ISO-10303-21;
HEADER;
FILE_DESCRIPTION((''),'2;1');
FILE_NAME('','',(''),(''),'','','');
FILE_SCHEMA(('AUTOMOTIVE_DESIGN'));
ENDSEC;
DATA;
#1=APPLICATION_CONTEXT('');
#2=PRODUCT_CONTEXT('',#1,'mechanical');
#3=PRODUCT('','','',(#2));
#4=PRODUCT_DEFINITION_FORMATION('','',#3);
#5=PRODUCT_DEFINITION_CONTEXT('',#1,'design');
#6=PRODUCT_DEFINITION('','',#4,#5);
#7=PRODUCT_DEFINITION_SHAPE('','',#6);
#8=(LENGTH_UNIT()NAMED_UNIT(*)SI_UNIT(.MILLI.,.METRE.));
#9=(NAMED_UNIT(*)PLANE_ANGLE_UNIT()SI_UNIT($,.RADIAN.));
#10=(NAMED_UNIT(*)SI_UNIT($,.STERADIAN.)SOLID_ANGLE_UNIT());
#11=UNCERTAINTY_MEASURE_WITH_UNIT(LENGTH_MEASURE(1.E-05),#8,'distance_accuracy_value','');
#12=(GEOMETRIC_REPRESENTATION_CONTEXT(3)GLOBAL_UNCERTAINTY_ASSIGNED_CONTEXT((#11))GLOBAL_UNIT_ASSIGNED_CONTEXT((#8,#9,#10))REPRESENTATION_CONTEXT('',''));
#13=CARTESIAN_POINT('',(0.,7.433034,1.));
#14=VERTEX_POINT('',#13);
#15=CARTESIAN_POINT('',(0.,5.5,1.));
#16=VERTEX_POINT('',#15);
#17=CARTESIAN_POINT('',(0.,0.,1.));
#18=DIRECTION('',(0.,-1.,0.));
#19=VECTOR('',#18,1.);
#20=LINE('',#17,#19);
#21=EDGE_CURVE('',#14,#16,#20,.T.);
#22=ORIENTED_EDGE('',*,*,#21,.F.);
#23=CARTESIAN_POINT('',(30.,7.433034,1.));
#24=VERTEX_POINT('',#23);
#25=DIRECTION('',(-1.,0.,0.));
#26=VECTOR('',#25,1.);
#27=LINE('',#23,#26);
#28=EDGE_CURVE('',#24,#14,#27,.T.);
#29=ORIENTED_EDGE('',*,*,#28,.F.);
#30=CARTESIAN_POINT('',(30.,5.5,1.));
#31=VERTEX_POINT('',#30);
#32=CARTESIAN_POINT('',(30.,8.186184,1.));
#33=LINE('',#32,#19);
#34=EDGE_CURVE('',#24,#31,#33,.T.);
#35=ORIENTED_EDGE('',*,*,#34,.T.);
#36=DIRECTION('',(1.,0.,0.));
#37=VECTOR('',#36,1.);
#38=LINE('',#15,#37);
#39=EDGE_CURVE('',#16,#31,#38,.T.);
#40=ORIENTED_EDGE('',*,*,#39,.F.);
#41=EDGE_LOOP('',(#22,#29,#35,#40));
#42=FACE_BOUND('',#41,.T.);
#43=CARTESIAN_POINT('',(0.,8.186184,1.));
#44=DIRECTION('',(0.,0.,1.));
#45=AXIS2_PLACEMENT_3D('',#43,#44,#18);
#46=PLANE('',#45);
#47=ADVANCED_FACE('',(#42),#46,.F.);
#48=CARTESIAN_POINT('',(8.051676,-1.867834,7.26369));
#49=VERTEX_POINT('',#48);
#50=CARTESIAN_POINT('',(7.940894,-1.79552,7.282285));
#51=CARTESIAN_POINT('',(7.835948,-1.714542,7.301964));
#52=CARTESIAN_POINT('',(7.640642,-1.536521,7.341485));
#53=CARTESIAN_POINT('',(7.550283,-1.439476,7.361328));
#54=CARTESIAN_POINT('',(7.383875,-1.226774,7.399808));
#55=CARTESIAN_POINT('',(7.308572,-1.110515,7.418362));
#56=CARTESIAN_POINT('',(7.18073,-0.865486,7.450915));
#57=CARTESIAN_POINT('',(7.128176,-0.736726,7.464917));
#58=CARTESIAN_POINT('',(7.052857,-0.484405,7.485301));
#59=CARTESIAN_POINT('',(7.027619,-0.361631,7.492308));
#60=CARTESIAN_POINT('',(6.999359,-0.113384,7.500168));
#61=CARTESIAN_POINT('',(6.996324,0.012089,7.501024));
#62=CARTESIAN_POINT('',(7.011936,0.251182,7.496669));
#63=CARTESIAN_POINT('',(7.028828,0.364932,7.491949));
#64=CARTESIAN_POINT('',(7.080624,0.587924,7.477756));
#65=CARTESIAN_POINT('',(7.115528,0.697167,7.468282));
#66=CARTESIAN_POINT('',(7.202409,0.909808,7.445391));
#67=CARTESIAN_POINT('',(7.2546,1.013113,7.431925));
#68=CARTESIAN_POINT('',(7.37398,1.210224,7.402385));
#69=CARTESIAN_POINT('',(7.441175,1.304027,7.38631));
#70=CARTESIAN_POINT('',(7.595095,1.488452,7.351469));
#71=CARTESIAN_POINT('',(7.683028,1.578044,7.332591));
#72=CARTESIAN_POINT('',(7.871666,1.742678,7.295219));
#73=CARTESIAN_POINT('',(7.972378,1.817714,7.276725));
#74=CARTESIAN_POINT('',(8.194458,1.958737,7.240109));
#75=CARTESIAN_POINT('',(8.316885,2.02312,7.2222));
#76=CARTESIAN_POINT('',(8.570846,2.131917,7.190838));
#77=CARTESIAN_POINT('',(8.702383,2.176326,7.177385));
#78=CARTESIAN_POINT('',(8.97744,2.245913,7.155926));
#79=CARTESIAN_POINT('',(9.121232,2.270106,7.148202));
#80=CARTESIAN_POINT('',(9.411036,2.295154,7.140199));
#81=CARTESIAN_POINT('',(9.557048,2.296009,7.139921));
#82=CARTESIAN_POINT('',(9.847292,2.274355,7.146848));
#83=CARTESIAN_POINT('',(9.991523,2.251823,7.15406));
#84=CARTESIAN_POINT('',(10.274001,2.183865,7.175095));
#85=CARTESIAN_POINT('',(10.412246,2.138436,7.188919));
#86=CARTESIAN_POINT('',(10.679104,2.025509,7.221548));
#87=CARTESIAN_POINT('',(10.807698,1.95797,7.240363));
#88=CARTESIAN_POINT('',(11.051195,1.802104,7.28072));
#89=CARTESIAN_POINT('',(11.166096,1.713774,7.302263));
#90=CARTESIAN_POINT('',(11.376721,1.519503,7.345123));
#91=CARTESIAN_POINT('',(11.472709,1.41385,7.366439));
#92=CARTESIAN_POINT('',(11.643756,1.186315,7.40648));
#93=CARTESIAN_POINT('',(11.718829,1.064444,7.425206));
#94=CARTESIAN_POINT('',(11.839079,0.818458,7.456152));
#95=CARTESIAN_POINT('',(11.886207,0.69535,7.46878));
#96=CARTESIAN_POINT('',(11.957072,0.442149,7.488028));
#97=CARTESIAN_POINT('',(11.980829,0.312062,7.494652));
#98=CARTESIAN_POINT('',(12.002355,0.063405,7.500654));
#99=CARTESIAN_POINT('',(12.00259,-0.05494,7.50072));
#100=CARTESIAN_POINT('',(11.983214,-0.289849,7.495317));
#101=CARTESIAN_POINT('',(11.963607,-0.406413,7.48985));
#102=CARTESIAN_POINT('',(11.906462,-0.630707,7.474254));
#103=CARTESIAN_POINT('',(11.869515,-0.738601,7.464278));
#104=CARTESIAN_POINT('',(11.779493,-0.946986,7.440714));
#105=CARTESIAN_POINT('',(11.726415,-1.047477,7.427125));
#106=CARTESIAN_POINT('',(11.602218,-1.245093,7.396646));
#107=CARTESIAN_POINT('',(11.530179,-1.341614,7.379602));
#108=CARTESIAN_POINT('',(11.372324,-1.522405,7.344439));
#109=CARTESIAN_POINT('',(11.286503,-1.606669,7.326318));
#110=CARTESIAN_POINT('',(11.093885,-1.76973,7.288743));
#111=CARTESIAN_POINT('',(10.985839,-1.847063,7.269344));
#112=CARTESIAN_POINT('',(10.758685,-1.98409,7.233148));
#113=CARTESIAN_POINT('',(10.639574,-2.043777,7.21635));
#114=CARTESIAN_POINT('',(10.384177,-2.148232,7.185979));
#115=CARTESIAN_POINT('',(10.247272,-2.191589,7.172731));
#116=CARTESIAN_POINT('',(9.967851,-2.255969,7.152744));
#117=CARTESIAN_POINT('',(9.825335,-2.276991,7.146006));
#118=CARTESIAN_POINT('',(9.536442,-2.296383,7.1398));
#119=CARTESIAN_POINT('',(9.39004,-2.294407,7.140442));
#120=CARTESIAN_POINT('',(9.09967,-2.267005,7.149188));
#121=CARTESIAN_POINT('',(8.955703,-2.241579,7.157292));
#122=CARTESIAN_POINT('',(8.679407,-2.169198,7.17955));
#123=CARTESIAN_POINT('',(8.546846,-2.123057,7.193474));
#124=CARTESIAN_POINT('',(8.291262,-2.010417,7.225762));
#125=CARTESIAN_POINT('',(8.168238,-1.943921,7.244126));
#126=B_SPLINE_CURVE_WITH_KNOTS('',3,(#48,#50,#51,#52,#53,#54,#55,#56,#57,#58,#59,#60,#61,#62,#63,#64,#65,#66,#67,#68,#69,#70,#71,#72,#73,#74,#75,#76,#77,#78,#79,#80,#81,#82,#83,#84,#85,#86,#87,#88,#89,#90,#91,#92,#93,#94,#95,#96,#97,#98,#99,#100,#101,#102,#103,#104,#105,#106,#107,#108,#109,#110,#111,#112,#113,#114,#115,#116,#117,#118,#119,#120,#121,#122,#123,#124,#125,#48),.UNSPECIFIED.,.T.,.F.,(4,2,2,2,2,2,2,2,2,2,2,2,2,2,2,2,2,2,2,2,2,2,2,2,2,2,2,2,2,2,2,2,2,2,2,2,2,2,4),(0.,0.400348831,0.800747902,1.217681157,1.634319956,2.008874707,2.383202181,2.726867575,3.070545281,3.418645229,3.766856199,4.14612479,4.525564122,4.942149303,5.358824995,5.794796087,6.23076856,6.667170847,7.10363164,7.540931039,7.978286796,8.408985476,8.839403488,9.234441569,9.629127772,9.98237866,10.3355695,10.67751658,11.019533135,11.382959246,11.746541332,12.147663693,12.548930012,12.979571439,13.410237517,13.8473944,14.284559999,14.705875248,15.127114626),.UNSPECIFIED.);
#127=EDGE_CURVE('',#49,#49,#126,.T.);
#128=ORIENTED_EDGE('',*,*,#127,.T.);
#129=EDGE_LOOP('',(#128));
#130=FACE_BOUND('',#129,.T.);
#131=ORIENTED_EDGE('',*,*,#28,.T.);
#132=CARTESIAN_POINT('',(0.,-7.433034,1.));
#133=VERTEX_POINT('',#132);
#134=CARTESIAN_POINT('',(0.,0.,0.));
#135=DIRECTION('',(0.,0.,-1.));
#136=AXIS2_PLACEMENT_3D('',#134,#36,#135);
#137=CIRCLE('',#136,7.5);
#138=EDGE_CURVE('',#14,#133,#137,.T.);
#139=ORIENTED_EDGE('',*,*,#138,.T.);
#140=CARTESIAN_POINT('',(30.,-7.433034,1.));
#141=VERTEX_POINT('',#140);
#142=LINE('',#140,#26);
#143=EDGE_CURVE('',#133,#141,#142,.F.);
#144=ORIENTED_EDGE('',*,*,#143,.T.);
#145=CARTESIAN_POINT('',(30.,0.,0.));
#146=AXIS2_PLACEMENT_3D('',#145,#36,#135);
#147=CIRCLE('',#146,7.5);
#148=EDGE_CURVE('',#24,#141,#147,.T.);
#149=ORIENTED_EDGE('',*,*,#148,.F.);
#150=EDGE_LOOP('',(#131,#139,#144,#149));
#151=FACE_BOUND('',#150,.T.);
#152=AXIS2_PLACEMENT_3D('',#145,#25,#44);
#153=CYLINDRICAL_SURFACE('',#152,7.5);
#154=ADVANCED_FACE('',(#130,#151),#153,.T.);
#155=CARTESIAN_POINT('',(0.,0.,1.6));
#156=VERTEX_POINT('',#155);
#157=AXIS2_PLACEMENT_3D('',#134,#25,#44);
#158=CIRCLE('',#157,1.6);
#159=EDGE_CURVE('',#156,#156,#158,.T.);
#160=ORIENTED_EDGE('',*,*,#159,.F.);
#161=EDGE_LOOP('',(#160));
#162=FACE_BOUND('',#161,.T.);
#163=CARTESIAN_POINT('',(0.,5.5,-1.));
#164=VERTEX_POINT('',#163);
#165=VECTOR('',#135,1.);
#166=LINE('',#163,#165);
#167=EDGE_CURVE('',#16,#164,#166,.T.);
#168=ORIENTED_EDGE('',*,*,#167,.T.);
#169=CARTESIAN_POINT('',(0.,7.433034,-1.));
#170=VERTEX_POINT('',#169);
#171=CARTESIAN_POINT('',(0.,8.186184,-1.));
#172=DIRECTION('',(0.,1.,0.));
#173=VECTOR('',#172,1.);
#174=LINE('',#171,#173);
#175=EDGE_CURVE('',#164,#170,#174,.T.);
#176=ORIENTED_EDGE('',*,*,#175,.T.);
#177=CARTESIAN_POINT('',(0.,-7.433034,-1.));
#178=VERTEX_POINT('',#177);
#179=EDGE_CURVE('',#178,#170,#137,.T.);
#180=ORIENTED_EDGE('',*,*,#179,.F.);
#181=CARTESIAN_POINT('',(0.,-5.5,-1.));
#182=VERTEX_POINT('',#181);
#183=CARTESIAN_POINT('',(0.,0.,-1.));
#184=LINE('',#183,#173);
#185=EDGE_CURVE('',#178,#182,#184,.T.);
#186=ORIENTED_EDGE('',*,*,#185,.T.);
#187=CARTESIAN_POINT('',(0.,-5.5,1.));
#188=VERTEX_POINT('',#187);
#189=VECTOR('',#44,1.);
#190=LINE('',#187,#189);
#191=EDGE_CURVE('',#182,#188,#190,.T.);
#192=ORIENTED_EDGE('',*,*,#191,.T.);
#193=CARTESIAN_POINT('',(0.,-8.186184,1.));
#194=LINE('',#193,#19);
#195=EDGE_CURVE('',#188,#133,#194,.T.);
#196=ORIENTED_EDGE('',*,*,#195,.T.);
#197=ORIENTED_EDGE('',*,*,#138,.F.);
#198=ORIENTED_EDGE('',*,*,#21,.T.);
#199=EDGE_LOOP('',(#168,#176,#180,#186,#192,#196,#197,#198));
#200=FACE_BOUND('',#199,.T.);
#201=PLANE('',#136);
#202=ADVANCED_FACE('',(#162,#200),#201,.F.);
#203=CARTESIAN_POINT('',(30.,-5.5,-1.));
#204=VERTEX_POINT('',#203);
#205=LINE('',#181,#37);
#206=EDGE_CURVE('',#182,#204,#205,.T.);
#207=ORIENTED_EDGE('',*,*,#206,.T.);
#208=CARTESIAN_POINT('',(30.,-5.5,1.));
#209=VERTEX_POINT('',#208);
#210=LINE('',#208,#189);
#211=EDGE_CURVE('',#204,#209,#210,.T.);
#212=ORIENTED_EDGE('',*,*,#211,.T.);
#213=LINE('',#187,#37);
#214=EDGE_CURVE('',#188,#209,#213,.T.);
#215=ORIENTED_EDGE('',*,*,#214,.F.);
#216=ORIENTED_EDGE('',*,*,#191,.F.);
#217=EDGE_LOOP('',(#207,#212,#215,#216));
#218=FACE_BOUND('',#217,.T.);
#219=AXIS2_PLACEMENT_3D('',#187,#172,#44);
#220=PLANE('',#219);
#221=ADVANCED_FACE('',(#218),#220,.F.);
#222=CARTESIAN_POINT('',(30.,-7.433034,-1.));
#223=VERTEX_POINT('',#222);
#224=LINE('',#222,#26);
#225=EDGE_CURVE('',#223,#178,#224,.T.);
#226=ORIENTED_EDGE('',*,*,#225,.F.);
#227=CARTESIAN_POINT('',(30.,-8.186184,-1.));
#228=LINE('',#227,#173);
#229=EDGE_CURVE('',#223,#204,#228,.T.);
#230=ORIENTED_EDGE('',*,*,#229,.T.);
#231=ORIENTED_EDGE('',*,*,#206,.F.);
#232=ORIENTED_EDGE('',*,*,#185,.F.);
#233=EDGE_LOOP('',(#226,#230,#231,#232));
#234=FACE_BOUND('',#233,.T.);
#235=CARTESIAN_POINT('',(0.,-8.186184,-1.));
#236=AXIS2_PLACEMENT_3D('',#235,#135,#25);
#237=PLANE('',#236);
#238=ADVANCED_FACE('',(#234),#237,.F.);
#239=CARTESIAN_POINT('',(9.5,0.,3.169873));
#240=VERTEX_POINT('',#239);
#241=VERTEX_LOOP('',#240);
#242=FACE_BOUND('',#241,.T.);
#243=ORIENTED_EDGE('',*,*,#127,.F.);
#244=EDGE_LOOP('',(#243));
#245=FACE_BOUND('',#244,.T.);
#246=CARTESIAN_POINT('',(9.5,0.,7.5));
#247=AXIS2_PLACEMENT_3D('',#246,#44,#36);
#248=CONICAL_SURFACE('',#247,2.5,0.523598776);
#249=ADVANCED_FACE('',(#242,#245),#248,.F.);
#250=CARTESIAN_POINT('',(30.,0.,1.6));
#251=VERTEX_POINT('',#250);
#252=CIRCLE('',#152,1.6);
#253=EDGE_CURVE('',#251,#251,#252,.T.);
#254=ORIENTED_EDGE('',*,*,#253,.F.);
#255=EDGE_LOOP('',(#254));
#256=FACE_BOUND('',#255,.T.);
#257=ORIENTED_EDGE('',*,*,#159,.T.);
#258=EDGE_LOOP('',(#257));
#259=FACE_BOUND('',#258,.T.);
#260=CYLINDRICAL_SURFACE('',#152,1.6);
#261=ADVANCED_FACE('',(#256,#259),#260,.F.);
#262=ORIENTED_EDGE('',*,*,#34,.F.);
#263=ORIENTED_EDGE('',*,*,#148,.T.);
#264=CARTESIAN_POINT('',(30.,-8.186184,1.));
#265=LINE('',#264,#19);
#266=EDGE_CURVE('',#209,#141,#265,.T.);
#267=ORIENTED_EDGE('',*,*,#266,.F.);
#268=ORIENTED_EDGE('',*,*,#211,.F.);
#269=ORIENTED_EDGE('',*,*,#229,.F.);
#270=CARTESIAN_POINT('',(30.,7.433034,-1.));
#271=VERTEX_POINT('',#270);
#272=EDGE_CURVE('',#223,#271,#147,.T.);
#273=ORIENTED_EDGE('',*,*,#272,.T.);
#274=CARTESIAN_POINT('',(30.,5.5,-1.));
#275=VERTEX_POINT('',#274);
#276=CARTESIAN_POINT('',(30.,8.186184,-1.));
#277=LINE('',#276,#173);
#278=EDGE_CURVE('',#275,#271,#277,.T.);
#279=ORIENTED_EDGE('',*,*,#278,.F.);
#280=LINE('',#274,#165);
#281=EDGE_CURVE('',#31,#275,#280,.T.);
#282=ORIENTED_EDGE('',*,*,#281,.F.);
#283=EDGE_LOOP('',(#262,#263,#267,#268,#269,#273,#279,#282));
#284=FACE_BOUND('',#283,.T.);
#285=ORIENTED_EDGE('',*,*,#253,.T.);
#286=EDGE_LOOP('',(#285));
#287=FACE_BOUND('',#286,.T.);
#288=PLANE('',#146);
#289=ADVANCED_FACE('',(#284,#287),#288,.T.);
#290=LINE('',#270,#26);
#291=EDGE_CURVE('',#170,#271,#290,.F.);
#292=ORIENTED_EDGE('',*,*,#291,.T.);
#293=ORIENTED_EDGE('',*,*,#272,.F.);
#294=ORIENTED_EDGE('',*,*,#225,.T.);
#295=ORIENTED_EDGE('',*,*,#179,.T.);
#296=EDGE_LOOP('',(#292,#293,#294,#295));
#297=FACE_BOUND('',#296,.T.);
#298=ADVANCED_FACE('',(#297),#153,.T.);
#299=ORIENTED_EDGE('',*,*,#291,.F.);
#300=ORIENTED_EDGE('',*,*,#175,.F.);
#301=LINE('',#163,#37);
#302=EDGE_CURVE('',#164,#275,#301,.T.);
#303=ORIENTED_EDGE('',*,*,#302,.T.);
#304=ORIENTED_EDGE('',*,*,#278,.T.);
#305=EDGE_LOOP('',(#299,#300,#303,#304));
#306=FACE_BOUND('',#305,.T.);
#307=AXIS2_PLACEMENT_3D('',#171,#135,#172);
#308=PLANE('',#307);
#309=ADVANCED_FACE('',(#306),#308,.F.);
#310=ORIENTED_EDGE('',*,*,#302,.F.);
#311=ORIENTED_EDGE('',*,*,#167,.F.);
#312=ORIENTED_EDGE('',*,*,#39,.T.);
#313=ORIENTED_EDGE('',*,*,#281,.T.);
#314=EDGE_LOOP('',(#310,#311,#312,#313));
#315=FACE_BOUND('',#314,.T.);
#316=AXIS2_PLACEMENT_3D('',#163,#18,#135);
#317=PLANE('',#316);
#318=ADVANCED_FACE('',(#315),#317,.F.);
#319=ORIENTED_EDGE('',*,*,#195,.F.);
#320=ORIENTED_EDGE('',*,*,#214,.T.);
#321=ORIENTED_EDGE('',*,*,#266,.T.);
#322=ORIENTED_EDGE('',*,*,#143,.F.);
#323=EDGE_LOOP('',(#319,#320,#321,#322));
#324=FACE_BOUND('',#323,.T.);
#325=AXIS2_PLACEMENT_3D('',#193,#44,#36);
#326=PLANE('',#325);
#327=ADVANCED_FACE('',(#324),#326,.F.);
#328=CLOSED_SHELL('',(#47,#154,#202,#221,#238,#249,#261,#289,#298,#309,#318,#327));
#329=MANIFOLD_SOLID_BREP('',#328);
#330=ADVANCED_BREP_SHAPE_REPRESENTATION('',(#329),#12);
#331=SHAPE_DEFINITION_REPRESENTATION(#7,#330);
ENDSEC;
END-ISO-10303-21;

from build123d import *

# Parameters (mm, degrees)
ESQUISSE1_R             = 7.5
BOSS_EXTRU_1_DEPTH      = 30
ESQUISSE4_R             = 1.6
ENL_V_MAT_EXTRU_2_DEPTH = 32.819805295
ESQUISSE5_W             = 2
ESQUISSE5_H             = 2.6861835
ENL_V_MAT_EXTRU_3_DEPTH = 32.819805295


with BuildPart() as part:
    # Esquisse1 → Boss.-Extru.1 (new body)
    with BuildSketch(Plane(origin=(0, 0, 0), x_dir=(0, 0, -1), z_dir=(1, 0, 0))):
        Circle(ESQUISSE1_R)
    extrude(amount=BOSS_EXTRU_1_DEPTH)

    # Enlèv. mat.-Extru.1 cone 1 section (through the dimple's axis) → Enlèv. mat.-Extru.1 (revolve, cut)
    with BuildSketch(Plane(origin=(9.5, 0, 7.5), x_dir=(0, -1, 0), z_dir=(1, 0, 0))):
        Polygon((0, 0), (2.5, 0), (0, 4.330127019), align=None)
    revolve(axis=Axis((9.5, 0, 7.5), (0, 0, -1)), mode=Mode.SUBTRACT)

    # Esquisse4 → Enlèv. mat.-Extru.2 (cut, through all)
    with BuildSketch(Plane.ZY):
        Circle(ESQUISSE4_R)
    extrude(amount=-ENL_V_MAT_EXTRU_2_DEPTH, mode=Mode.SUBTRACT)

    # Esquisse5 → Enlèv. mat.-Extru.3 (cut, through all)
    with BuildSketch(Plane(origin=(30, 0, 0), x_dir=(0, 0, -1), z_dir=(1, 0, 0))):
        with Locations((0, 6.84309175)):
            Rectangle(ESQUISSE5_W, ESQUISSE5_H)
        with Locations((0, -6.84309175)):
            Rectangle(ESQUISSE5_W, ESQUISSE5_H)
    extrude(amount=-ENL_V_MAT_EXTRU_3_DEPTH, mode=Mode.SUBTRACT)


solid = part.part
